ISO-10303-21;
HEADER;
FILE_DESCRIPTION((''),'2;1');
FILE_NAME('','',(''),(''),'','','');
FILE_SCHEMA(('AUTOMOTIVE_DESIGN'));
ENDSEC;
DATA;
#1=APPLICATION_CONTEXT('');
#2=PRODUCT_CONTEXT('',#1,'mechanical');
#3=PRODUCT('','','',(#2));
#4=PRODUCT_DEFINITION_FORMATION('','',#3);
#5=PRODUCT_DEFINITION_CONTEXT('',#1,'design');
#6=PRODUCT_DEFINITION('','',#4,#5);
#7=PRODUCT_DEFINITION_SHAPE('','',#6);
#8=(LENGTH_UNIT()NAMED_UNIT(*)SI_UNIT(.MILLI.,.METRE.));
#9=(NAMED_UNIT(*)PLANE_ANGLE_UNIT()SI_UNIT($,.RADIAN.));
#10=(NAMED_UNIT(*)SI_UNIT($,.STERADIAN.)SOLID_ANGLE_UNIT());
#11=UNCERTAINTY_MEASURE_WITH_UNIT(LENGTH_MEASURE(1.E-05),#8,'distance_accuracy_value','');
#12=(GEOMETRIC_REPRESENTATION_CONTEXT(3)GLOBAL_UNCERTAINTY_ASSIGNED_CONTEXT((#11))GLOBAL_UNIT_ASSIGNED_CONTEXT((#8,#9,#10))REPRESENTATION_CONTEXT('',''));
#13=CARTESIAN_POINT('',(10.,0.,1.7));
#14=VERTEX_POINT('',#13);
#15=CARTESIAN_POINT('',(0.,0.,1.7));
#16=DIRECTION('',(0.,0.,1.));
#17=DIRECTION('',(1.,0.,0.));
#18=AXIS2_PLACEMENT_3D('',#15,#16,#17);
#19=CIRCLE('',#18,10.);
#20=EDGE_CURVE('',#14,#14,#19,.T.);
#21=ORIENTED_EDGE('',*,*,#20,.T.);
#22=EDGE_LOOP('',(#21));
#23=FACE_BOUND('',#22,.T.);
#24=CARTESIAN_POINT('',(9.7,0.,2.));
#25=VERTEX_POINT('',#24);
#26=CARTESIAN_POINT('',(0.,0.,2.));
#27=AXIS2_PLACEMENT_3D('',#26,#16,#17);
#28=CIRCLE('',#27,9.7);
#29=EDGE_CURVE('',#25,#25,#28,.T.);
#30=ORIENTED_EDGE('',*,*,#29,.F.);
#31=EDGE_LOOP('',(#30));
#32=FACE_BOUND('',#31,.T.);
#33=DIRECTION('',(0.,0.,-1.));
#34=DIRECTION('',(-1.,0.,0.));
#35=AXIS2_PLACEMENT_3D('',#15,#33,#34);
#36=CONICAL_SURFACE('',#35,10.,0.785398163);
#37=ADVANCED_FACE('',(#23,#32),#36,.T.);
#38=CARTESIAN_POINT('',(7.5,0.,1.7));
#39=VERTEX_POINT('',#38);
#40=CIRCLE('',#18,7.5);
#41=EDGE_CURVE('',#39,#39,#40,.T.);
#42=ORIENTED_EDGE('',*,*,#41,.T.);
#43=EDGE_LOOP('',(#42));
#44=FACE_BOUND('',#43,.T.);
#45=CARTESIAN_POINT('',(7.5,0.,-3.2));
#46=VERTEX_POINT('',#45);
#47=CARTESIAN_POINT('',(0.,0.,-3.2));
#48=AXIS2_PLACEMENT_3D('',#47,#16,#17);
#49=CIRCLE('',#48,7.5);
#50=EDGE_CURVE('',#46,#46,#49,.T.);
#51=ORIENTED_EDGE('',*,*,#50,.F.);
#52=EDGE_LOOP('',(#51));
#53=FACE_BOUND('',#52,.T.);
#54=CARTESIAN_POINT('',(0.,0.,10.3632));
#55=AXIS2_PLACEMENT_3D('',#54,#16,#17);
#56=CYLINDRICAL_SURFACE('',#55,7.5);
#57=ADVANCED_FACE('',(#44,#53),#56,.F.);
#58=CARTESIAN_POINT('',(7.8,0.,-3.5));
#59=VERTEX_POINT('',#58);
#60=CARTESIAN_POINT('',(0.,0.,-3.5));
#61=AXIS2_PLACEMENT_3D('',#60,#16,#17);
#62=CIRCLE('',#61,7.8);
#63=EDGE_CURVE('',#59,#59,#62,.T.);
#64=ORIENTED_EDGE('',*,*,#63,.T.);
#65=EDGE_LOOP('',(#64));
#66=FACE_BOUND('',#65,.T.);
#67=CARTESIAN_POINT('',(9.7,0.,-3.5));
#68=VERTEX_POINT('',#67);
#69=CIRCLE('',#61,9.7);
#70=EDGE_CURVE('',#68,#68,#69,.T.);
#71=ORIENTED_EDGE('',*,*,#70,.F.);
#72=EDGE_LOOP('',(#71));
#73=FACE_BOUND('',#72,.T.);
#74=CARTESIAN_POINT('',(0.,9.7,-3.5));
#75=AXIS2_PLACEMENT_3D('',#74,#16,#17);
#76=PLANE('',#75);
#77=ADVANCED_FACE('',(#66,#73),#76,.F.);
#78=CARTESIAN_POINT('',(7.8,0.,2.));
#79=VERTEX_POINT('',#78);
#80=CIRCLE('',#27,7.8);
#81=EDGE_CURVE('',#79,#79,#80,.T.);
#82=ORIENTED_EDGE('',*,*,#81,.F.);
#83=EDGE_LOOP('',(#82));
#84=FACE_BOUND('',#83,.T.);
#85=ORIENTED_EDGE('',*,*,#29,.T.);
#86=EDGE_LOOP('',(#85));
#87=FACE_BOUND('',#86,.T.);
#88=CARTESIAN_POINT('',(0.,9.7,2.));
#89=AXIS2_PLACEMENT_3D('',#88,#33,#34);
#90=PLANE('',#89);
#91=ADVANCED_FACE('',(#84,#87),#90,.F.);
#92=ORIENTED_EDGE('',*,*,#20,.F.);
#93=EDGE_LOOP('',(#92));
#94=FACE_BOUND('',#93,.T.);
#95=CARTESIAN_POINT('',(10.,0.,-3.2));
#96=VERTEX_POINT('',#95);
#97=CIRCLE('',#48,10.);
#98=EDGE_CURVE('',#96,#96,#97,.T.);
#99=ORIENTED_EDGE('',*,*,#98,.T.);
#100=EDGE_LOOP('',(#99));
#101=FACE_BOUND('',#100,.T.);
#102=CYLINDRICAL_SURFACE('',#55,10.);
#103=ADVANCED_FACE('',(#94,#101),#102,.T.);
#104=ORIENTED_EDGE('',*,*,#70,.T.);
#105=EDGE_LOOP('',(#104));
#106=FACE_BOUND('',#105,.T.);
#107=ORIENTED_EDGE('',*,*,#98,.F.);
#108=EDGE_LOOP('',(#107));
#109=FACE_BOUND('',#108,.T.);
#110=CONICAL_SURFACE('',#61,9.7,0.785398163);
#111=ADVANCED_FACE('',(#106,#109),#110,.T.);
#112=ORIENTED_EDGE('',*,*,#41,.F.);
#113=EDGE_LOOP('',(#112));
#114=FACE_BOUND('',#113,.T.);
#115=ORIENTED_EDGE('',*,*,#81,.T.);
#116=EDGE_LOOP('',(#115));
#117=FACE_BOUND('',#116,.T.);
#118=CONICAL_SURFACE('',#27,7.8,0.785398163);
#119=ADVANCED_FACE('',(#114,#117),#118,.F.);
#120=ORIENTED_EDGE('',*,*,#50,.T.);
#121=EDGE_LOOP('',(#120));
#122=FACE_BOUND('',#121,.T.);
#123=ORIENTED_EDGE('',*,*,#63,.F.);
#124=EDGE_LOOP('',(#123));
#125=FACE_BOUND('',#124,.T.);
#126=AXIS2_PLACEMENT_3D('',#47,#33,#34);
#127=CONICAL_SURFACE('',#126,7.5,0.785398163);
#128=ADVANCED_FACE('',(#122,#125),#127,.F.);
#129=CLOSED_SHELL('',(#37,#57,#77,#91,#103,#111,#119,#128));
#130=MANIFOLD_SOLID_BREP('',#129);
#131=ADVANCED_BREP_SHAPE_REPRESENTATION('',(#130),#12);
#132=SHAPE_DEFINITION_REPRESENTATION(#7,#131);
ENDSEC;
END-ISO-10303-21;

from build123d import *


with BuildPart() as part:
    # Esquisse1 → Révolution1 (revolve)
    with BuildSketch(Plane(origin=(0, 0, 0), x_dir=(0, 0, -1), z_dir=(1, 0, 0))):
        Polygon((-1.7, 10), (-2, 9.7), (-2, 7.8), (-1.7, 7.5), (3.2, 7.5), (3.5, 7.8), (3.5, 9.7), (3.2, 10), align=None)
    revolve(axis=Axis((0, 0, 10.3632), (0, 0, -1)))


solid = part.part
